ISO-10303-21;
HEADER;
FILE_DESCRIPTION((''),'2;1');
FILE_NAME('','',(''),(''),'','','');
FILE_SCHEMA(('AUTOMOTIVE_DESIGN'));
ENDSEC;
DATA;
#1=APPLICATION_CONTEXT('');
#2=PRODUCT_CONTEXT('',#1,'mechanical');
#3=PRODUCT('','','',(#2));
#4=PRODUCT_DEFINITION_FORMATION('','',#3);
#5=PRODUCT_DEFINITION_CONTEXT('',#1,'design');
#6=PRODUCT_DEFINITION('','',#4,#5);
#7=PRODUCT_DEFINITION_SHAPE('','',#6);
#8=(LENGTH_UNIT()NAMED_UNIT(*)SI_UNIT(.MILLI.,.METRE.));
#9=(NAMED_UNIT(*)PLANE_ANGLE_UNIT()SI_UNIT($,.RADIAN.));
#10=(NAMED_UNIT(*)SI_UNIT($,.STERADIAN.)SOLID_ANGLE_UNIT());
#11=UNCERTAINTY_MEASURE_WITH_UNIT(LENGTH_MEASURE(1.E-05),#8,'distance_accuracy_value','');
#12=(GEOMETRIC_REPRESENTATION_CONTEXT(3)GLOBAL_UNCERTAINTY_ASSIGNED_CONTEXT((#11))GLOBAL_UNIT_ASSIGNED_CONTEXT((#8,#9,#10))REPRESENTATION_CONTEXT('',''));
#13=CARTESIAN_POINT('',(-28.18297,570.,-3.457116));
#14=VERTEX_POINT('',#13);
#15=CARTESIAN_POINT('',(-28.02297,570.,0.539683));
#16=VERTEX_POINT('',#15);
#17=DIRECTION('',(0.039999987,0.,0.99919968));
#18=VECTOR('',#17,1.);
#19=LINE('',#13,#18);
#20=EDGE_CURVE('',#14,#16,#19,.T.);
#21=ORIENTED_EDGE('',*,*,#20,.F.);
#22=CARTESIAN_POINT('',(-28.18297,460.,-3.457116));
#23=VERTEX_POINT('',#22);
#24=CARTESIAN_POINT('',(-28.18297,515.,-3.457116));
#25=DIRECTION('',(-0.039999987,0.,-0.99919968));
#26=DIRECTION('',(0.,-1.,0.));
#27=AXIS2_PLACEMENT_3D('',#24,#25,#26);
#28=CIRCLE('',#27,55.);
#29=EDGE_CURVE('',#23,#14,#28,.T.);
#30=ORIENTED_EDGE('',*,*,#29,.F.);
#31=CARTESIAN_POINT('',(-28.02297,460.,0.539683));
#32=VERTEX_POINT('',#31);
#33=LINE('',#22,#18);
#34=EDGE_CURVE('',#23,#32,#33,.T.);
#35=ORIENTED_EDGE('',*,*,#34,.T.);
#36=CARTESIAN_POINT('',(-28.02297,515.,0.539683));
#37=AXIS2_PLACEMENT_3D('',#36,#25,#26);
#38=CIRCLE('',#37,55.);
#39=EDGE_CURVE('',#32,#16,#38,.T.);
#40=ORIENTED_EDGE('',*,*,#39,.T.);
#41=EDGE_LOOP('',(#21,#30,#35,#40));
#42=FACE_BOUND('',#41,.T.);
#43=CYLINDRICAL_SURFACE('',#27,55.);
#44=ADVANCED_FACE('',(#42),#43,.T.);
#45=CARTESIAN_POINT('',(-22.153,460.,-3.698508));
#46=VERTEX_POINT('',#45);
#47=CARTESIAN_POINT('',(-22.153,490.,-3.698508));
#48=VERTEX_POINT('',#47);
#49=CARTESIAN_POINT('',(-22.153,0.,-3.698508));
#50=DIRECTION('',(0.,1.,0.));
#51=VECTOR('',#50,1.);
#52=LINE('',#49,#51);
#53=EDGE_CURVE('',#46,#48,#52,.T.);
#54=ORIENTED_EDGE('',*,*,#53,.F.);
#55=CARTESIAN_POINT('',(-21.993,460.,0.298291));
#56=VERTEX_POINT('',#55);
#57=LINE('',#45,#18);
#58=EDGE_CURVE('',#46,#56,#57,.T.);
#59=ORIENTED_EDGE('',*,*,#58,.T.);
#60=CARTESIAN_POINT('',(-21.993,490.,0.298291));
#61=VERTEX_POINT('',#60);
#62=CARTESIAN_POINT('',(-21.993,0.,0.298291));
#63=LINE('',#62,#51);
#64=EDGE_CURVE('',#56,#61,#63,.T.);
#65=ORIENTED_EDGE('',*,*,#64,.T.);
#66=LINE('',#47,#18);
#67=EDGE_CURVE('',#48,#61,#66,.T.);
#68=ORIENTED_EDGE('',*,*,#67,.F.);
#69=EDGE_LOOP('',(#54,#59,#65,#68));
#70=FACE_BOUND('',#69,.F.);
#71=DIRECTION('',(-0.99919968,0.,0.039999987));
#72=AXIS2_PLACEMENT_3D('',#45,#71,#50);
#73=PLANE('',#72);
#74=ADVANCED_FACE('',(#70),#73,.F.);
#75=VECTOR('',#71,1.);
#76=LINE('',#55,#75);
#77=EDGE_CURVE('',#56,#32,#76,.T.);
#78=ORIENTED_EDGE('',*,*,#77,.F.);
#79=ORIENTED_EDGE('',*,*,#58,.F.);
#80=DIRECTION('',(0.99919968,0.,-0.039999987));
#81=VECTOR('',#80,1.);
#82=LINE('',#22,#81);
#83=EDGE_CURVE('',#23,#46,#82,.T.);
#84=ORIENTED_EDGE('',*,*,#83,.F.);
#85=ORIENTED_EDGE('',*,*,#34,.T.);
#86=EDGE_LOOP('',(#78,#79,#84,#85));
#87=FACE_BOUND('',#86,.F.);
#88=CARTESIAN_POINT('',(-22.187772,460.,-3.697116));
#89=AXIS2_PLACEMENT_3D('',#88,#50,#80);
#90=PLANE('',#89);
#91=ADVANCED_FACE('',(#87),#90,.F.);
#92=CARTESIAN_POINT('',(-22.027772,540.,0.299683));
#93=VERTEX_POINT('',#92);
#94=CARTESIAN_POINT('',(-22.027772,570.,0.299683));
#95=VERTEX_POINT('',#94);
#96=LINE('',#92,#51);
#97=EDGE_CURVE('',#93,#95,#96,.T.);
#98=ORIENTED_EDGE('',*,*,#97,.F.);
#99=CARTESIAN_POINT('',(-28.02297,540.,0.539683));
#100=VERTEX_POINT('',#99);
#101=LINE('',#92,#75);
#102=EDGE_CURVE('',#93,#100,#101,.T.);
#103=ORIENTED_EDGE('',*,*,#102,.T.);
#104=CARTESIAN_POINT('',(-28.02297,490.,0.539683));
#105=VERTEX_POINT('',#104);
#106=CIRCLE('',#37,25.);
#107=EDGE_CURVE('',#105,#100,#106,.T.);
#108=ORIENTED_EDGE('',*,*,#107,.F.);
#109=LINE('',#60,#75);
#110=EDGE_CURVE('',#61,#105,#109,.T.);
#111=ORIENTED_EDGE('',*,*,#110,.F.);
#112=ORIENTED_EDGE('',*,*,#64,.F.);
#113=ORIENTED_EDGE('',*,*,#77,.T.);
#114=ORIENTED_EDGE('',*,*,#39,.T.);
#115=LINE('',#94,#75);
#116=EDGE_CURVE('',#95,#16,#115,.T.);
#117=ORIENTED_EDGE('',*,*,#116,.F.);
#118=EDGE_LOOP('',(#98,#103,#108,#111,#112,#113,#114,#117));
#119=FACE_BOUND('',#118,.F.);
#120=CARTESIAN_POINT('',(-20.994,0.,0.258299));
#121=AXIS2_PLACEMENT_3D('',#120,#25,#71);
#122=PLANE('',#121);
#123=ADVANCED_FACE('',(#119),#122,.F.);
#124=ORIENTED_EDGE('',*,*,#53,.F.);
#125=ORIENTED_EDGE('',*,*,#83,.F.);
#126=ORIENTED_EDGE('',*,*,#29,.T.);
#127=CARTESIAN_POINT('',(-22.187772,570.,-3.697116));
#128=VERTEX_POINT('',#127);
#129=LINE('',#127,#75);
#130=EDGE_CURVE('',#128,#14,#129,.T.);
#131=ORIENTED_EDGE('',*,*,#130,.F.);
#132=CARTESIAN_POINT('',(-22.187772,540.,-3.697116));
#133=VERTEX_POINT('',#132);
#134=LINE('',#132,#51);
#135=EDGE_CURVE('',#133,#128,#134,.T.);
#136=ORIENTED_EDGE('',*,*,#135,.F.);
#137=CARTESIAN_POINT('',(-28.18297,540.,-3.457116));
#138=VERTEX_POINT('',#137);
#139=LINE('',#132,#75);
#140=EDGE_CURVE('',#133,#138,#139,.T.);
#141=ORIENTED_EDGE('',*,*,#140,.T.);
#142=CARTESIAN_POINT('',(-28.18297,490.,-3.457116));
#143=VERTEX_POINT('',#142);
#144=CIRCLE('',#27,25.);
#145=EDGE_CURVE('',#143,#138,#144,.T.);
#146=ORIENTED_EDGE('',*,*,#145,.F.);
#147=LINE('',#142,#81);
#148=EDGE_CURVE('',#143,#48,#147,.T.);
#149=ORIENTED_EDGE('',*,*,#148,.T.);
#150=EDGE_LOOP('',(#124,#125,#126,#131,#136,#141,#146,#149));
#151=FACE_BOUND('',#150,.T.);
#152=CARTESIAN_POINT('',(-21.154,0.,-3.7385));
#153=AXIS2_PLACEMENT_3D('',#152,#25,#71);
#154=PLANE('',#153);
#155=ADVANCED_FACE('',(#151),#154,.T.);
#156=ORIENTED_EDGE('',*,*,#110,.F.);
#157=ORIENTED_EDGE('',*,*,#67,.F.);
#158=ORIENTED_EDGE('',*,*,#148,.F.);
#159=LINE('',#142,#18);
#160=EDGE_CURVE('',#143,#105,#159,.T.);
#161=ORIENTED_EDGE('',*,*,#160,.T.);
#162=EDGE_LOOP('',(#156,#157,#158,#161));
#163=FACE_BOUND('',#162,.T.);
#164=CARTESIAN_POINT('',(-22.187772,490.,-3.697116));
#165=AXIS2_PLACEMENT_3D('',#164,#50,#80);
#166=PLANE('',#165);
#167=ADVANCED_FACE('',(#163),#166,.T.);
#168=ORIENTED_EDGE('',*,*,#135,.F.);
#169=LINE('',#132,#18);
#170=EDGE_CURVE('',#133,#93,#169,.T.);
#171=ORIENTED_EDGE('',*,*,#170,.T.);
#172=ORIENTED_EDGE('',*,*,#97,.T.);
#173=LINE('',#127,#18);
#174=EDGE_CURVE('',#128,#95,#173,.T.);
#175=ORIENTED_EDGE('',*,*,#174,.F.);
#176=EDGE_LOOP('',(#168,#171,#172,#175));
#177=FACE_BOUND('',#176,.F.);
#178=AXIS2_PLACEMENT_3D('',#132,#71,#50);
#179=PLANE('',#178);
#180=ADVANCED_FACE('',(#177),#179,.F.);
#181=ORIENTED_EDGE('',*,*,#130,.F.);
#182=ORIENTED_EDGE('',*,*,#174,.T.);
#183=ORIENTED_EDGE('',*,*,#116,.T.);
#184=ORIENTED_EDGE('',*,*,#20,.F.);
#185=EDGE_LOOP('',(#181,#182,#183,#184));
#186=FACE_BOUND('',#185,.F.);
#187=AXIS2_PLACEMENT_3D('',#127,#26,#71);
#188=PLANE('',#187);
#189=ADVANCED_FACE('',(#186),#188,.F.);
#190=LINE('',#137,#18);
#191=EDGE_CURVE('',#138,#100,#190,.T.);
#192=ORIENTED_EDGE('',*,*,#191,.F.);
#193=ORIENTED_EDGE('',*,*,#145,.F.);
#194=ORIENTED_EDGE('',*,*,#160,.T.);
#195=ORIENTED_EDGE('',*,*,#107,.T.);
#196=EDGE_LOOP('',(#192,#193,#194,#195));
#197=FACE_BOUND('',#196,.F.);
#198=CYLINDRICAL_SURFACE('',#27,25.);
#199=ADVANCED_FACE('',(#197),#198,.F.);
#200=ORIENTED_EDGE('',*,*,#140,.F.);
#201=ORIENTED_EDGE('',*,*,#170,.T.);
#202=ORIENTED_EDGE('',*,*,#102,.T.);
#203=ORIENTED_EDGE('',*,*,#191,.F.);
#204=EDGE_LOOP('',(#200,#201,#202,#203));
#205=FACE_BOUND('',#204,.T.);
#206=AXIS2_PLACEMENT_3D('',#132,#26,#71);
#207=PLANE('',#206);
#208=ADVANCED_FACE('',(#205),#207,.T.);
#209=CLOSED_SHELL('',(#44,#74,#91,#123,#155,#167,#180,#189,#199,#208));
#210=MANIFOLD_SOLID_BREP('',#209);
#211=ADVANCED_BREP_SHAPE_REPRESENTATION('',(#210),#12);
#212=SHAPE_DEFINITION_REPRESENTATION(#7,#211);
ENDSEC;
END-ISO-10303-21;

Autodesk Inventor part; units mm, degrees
ref_plane "YZ Plane" through (0, 0, 0) normal (1, 0, 0) x (0, 1, 0)
ref_plane "XZ Plane" through (0, 0, 0) normal (0, 1, 0) x (-1, 0, 0)
ref_plane "XY Plane" through (0, 0, 0) normal (0, 0, 1) x (1, 0, 0)
ref_plane "Work Plane1" through (-21.154, 0, -3.7385) normal (-0.04, 0, -0.9992) x (-0.9992, 0, 0.04)
sketch "Sketch1" plane through (-21.154, 0, -3.7385) normal (-0.04, 0, -0.9992) x (-0.9992, 0, 0.04)
  line L0 (1.0346, 490) -> (0.9998, 490)
  line L1 (0.9998, 0) -> (0.9998, 490)
  line L2 (1.0346, 0) -> (0.9998, 0)
  line L3 (1.0346, 0) -> (1.0346, 490)
  line L4 (0.9998, 540) -> (1.0346, 540)
  line L5 (1.0346, 540) -> (1.0346, 879.5354)
  line L6 (1.0346, 879.5354) -> (0.9998, 879.5354)
  line L7 (0.9998, 540) -> (0.9998, 879.5354)
  line L8 (1.0346, 540) -> (7.0346, 540)
  line L9 (0.9998, 490) -> (7.0346, 490)
  arc A0 (7.0346, 490) -> (7.0346, 540) centre (7.0346, 515) ccw
  line L10 (1.0346, 570) -> (7.0346, 570)
  arc A1 (7.0346, 460) -> (7.0346, 570) centre (7.0346, 515) ccw
  line L11 (7.0346, 460) -> (0.9998, 460)
  line L12 (1.0346, 570) -> (1.0346, 540)
  line L13 (0.9998, 490) -> (0.9998, 460)
  point P0 (-20.9876, 0)
  dimension "d0" = 30
  dimension "d1" = 6
extrude "Plate1" add sketch "Sketch1" against normal blind 4 contours L3 L11 L1 L0 | L9 A0 L8 L5 L10 A1 L11 L3
equation "\"d2\" = Thickness"
equation "\"BendRadius\" = Thickness"
equation "\"BendReliefWidth\" = Thickness"
equation "\"BendReliefDepth\" = 0.5 * Thickness"
equation "\"CornerReliefSize\" = 4 * Thickness"
equation "\"MinimumRemnant\" = 2 * Thickness"
equation "\"TransitionRadius\" = BendRadius"
equation "\"JacobiRadiusSize\" = BendRadius"
equation "\"GapSize\" = Thickness"
equation "\"Thickness\" = 4"
properties part number "bue" material "Steel"
